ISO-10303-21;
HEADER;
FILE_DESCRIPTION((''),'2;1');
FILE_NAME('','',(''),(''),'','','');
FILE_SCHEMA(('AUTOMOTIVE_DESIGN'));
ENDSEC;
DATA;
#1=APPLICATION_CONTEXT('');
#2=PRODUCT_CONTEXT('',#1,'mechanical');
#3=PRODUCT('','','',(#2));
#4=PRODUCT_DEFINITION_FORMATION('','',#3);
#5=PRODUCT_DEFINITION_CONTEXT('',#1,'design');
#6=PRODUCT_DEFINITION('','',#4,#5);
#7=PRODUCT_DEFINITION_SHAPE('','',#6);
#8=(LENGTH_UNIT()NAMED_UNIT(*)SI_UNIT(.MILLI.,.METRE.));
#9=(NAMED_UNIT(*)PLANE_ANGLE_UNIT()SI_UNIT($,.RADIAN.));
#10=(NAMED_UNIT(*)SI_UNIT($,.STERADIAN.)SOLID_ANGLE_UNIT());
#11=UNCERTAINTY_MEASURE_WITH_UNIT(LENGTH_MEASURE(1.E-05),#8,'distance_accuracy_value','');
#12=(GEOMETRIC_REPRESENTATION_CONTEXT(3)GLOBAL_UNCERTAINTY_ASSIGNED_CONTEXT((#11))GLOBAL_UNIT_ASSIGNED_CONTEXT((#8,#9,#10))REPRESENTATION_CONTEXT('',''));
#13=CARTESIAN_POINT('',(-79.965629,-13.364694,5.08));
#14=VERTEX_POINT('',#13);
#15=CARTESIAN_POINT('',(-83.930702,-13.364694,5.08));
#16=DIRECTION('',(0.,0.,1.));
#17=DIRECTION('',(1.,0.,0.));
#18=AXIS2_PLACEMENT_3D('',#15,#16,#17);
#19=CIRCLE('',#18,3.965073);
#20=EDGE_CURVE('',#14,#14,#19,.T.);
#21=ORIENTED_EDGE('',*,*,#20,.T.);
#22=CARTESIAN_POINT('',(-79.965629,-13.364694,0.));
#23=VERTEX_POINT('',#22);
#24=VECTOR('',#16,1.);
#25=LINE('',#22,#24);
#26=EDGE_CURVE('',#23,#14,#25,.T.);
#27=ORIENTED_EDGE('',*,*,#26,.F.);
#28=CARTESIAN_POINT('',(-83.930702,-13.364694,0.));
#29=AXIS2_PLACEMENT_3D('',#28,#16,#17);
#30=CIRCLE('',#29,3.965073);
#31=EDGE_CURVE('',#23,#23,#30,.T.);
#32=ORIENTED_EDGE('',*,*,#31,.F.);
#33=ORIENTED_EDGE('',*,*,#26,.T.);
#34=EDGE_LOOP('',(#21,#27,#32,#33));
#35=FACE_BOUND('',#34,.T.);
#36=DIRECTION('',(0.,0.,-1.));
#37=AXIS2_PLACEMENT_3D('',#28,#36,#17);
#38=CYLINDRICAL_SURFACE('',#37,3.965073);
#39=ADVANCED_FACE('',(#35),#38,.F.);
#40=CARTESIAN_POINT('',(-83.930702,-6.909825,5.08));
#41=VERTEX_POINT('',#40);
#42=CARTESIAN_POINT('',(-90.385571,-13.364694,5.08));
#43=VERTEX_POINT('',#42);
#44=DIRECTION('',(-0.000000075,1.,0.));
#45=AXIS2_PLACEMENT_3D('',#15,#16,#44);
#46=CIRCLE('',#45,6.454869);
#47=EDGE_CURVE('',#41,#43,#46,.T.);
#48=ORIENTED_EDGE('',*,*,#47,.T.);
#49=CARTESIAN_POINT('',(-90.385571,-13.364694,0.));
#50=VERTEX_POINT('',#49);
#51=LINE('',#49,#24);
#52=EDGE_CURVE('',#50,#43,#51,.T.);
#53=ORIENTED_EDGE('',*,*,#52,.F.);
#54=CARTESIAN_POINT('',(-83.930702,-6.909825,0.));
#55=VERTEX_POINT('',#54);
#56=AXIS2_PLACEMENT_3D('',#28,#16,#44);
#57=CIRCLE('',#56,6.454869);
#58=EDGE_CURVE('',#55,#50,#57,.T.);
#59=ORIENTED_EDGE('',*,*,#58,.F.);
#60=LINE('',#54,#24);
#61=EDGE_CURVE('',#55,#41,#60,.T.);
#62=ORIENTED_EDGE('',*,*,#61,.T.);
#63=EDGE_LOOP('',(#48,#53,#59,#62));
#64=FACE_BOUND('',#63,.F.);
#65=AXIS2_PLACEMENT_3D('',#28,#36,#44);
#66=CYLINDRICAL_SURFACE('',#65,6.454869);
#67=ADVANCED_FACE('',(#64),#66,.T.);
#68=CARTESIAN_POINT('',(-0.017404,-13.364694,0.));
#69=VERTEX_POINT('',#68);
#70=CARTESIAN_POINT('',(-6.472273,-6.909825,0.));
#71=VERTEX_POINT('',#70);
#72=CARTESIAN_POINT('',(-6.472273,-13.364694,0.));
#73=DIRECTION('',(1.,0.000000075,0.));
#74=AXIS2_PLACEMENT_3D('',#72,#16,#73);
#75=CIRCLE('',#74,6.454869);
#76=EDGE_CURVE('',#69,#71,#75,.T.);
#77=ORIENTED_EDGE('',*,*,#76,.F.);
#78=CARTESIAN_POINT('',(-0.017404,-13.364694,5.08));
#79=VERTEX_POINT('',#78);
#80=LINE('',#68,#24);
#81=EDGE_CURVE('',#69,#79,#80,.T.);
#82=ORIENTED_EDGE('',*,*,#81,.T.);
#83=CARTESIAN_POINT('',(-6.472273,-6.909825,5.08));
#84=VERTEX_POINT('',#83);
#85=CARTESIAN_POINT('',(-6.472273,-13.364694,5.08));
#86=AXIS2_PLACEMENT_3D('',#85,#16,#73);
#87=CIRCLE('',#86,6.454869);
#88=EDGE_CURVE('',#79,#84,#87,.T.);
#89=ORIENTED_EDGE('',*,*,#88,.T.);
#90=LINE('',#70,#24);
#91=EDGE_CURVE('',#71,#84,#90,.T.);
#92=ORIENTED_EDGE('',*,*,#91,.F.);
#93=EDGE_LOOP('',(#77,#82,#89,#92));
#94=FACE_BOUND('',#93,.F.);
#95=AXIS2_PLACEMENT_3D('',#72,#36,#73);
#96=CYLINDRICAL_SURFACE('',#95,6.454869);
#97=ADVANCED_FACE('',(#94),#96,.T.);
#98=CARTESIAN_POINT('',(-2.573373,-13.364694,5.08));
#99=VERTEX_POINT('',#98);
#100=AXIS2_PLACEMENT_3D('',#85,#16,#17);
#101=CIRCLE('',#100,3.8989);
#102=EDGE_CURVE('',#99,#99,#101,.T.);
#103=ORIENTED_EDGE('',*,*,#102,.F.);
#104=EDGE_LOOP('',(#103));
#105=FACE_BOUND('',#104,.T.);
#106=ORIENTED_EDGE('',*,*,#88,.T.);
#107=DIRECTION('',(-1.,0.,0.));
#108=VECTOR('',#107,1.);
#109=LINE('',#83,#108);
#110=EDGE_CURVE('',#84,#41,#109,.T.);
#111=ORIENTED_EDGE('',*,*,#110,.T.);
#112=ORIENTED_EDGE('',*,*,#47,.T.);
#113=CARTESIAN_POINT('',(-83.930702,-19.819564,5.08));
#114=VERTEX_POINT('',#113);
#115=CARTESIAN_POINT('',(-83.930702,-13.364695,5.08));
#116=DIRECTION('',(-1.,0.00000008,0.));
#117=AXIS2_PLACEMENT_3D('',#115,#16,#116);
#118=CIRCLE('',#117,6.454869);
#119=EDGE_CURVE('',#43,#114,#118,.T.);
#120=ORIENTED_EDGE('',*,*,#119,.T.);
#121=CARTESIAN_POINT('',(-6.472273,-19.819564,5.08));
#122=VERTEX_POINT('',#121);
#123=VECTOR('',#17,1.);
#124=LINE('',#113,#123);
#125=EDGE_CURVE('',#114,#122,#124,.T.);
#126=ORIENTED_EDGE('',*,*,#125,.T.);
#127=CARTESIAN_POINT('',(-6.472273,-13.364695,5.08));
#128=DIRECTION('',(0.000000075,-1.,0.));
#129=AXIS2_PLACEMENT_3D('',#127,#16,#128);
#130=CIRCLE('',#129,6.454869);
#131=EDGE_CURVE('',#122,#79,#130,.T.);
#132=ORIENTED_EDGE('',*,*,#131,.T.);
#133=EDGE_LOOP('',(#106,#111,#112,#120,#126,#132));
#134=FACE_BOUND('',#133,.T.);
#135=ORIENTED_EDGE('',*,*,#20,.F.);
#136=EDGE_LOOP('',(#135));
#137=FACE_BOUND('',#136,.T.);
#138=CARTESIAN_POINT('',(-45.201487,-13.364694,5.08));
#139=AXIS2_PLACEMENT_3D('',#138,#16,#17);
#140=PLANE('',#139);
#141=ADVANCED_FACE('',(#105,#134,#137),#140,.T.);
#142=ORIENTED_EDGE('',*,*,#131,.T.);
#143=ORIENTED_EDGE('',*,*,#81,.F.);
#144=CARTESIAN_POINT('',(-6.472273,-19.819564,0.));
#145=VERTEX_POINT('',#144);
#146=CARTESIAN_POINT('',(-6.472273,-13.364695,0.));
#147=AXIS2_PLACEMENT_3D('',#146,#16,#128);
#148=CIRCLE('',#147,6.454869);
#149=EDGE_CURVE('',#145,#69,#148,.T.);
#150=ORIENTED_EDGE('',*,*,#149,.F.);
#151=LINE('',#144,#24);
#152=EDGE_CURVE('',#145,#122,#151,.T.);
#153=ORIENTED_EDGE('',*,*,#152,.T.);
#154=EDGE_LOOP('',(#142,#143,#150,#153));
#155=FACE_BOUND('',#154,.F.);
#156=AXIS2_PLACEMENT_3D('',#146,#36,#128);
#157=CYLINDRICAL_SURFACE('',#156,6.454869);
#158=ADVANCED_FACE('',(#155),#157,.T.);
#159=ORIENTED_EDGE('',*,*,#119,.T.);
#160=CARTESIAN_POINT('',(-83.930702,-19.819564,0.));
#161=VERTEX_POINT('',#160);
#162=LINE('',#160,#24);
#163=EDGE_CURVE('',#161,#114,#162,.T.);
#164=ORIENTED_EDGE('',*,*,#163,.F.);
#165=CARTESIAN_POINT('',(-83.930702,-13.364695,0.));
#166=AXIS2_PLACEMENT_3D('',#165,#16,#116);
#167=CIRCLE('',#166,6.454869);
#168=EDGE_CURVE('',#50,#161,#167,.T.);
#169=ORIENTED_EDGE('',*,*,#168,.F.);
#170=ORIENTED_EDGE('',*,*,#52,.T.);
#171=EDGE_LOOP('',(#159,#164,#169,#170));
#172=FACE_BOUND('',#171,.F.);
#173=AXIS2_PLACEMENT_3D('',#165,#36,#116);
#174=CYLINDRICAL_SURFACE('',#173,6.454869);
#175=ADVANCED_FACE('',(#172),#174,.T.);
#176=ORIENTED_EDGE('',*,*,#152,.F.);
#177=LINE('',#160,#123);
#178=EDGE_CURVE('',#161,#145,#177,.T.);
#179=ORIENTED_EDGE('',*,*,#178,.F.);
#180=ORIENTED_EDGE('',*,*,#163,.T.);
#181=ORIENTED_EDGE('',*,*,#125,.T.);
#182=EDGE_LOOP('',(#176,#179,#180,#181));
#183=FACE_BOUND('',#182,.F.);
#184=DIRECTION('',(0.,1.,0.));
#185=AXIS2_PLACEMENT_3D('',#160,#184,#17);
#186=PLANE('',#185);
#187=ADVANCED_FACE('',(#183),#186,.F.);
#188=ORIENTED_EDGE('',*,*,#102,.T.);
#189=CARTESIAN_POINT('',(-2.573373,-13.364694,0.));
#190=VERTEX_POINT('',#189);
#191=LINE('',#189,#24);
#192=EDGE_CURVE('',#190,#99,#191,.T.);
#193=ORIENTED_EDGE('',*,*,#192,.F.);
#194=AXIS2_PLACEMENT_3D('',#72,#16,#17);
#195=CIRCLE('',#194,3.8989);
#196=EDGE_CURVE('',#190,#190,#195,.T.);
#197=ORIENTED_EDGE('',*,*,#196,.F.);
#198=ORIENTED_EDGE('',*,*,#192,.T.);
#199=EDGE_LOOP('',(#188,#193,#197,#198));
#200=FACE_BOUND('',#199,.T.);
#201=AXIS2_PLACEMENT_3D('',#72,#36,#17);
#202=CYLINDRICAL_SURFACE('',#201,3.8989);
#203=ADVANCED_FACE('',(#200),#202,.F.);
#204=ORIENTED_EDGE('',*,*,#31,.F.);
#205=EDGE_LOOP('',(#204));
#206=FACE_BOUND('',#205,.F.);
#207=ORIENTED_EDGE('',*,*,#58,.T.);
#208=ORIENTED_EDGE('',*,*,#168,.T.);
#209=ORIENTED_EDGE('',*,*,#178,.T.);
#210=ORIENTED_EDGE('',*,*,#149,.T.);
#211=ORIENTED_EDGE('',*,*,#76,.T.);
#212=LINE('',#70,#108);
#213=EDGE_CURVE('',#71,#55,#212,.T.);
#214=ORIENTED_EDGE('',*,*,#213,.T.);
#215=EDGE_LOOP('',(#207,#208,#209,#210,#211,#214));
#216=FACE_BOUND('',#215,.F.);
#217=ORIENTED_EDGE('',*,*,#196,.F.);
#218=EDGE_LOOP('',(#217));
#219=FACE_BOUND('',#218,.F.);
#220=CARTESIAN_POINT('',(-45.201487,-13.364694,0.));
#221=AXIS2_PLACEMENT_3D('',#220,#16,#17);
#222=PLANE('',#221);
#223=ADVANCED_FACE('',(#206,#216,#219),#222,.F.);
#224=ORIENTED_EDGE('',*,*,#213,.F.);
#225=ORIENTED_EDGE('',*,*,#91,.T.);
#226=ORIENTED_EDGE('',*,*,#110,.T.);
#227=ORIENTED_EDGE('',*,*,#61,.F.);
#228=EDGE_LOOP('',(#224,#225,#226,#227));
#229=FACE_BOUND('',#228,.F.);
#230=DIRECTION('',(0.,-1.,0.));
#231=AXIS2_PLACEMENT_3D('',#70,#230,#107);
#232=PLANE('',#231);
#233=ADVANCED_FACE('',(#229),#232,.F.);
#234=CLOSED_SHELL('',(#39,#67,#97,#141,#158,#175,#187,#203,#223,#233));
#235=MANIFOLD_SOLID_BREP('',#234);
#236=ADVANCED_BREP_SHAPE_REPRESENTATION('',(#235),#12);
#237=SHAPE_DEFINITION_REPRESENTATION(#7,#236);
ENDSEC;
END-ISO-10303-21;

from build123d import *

# Parameters (mm, degrees)
F0_R     = 3.965073
F0_R_2   = 3.8989
F1_DEPTH = 5.08


with BuildPart() as f1:
    # F0 (on Top) → F1 (new body)
    with BuildSketch(Plane.XY):
        with BuildLine():
            Line((-6.472273, -6.909825), (-83.930702, -6.909825))
            ThreePointArc((-83.930702, -6.909825), (-88.494984, -8.800413), (-90.385571, -13.364694))
            ThreePointArc((-90.385571, -13.364694), (-88.494984, -17.928976), (-83.930702, -19.819564))
            Line((-83.930702, -19.819564), (-6.472273, -19.819564))
            ThreePointArc((-6.472273, -19.819564), (-1.907991, -17.928976), (-0.017404, -13.364694))
            ThreePointArc((-0.017404, -13.364694), (-1.907991, -8.800413), (-6.472273, -6.909825))
        make_face()
        with Locations((-83.930702, -13.364694)):
            Circle(F0_R, mode=Mode.SUBTRACT)
        with Locations((-6.472273, -13.364694)):
            Circle(F0_R_2, mode=Mode.SUBTRACT)
    extrude(amount=F1_DEPTH)


solid = f1.part
